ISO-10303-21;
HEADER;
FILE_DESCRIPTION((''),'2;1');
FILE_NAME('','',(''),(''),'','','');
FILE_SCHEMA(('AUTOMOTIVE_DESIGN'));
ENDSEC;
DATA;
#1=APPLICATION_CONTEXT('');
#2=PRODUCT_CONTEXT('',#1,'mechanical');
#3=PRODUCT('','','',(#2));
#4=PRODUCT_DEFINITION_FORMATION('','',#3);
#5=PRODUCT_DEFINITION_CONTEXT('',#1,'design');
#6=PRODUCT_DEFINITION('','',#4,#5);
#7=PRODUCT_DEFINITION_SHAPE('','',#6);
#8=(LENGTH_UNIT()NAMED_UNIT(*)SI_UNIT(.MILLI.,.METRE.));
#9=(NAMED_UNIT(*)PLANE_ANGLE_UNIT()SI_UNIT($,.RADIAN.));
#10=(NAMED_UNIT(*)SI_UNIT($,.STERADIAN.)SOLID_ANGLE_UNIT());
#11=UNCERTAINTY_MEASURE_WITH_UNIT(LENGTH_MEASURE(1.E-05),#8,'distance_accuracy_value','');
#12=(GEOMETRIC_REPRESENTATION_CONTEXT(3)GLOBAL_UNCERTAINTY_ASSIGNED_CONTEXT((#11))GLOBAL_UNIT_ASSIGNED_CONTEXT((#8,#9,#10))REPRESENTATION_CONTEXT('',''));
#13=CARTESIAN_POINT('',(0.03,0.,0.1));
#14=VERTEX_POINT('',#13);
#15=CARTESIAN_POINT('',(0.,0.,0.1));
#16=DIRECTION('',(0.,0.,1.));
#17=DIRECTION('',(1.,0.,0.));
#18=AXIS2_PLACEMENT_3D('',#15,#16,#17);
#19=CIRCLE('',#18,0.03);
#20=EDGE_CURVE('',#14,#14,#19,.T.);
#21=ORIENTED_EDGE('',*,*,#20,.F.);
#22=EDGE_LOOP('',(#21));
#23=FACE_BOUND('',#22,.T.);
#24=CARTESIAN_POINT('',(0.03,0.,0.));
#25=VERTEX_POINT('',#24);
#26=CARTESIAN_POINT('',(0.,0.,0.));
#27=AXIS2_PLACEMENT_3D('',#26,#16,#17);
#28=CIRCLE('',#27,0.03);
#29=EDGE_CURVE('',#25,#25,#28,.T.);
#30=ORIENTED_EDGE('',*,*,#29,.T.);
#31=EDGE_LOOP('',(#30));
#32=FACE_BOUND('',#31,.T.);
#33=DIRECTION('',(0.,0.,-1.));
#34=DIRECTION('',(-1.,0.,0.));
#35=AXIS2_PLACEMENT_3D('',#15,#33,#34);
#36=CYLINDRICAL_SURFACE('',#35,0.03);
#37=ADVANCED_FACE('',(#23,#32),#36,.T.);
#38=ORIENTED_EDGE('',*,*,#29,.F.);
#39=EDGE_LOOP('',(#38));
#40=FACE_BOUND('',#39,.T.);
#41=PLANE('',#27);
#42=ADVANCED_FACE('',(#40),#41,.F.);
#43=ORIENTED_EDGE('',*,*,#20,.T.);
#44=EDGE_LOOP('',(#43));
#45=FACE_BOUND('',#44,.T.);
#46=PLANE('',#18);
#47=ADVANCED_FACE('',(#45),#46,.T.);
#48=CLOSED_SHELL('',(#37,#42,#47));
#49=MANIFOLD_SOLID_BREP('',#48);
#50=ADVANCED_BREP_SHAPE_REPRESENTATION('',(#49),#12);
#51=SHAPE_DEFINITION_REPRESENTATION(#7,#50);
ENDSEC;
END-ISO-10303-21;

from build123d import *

# Parameters (mm, degrees)
SKETCH_3_R      = 0.03
EXTRUDE_2_DEPTH = 0.1


with BuildPart() as part:
    # 草图3 → 凸台-拉伸2 (new body)
    with BuildSketch(Plane.XY):
        Circle(SKETCH_3_R)
    extrude(amount=EXTRUDE_2_DEPTH)


solid = part.part
